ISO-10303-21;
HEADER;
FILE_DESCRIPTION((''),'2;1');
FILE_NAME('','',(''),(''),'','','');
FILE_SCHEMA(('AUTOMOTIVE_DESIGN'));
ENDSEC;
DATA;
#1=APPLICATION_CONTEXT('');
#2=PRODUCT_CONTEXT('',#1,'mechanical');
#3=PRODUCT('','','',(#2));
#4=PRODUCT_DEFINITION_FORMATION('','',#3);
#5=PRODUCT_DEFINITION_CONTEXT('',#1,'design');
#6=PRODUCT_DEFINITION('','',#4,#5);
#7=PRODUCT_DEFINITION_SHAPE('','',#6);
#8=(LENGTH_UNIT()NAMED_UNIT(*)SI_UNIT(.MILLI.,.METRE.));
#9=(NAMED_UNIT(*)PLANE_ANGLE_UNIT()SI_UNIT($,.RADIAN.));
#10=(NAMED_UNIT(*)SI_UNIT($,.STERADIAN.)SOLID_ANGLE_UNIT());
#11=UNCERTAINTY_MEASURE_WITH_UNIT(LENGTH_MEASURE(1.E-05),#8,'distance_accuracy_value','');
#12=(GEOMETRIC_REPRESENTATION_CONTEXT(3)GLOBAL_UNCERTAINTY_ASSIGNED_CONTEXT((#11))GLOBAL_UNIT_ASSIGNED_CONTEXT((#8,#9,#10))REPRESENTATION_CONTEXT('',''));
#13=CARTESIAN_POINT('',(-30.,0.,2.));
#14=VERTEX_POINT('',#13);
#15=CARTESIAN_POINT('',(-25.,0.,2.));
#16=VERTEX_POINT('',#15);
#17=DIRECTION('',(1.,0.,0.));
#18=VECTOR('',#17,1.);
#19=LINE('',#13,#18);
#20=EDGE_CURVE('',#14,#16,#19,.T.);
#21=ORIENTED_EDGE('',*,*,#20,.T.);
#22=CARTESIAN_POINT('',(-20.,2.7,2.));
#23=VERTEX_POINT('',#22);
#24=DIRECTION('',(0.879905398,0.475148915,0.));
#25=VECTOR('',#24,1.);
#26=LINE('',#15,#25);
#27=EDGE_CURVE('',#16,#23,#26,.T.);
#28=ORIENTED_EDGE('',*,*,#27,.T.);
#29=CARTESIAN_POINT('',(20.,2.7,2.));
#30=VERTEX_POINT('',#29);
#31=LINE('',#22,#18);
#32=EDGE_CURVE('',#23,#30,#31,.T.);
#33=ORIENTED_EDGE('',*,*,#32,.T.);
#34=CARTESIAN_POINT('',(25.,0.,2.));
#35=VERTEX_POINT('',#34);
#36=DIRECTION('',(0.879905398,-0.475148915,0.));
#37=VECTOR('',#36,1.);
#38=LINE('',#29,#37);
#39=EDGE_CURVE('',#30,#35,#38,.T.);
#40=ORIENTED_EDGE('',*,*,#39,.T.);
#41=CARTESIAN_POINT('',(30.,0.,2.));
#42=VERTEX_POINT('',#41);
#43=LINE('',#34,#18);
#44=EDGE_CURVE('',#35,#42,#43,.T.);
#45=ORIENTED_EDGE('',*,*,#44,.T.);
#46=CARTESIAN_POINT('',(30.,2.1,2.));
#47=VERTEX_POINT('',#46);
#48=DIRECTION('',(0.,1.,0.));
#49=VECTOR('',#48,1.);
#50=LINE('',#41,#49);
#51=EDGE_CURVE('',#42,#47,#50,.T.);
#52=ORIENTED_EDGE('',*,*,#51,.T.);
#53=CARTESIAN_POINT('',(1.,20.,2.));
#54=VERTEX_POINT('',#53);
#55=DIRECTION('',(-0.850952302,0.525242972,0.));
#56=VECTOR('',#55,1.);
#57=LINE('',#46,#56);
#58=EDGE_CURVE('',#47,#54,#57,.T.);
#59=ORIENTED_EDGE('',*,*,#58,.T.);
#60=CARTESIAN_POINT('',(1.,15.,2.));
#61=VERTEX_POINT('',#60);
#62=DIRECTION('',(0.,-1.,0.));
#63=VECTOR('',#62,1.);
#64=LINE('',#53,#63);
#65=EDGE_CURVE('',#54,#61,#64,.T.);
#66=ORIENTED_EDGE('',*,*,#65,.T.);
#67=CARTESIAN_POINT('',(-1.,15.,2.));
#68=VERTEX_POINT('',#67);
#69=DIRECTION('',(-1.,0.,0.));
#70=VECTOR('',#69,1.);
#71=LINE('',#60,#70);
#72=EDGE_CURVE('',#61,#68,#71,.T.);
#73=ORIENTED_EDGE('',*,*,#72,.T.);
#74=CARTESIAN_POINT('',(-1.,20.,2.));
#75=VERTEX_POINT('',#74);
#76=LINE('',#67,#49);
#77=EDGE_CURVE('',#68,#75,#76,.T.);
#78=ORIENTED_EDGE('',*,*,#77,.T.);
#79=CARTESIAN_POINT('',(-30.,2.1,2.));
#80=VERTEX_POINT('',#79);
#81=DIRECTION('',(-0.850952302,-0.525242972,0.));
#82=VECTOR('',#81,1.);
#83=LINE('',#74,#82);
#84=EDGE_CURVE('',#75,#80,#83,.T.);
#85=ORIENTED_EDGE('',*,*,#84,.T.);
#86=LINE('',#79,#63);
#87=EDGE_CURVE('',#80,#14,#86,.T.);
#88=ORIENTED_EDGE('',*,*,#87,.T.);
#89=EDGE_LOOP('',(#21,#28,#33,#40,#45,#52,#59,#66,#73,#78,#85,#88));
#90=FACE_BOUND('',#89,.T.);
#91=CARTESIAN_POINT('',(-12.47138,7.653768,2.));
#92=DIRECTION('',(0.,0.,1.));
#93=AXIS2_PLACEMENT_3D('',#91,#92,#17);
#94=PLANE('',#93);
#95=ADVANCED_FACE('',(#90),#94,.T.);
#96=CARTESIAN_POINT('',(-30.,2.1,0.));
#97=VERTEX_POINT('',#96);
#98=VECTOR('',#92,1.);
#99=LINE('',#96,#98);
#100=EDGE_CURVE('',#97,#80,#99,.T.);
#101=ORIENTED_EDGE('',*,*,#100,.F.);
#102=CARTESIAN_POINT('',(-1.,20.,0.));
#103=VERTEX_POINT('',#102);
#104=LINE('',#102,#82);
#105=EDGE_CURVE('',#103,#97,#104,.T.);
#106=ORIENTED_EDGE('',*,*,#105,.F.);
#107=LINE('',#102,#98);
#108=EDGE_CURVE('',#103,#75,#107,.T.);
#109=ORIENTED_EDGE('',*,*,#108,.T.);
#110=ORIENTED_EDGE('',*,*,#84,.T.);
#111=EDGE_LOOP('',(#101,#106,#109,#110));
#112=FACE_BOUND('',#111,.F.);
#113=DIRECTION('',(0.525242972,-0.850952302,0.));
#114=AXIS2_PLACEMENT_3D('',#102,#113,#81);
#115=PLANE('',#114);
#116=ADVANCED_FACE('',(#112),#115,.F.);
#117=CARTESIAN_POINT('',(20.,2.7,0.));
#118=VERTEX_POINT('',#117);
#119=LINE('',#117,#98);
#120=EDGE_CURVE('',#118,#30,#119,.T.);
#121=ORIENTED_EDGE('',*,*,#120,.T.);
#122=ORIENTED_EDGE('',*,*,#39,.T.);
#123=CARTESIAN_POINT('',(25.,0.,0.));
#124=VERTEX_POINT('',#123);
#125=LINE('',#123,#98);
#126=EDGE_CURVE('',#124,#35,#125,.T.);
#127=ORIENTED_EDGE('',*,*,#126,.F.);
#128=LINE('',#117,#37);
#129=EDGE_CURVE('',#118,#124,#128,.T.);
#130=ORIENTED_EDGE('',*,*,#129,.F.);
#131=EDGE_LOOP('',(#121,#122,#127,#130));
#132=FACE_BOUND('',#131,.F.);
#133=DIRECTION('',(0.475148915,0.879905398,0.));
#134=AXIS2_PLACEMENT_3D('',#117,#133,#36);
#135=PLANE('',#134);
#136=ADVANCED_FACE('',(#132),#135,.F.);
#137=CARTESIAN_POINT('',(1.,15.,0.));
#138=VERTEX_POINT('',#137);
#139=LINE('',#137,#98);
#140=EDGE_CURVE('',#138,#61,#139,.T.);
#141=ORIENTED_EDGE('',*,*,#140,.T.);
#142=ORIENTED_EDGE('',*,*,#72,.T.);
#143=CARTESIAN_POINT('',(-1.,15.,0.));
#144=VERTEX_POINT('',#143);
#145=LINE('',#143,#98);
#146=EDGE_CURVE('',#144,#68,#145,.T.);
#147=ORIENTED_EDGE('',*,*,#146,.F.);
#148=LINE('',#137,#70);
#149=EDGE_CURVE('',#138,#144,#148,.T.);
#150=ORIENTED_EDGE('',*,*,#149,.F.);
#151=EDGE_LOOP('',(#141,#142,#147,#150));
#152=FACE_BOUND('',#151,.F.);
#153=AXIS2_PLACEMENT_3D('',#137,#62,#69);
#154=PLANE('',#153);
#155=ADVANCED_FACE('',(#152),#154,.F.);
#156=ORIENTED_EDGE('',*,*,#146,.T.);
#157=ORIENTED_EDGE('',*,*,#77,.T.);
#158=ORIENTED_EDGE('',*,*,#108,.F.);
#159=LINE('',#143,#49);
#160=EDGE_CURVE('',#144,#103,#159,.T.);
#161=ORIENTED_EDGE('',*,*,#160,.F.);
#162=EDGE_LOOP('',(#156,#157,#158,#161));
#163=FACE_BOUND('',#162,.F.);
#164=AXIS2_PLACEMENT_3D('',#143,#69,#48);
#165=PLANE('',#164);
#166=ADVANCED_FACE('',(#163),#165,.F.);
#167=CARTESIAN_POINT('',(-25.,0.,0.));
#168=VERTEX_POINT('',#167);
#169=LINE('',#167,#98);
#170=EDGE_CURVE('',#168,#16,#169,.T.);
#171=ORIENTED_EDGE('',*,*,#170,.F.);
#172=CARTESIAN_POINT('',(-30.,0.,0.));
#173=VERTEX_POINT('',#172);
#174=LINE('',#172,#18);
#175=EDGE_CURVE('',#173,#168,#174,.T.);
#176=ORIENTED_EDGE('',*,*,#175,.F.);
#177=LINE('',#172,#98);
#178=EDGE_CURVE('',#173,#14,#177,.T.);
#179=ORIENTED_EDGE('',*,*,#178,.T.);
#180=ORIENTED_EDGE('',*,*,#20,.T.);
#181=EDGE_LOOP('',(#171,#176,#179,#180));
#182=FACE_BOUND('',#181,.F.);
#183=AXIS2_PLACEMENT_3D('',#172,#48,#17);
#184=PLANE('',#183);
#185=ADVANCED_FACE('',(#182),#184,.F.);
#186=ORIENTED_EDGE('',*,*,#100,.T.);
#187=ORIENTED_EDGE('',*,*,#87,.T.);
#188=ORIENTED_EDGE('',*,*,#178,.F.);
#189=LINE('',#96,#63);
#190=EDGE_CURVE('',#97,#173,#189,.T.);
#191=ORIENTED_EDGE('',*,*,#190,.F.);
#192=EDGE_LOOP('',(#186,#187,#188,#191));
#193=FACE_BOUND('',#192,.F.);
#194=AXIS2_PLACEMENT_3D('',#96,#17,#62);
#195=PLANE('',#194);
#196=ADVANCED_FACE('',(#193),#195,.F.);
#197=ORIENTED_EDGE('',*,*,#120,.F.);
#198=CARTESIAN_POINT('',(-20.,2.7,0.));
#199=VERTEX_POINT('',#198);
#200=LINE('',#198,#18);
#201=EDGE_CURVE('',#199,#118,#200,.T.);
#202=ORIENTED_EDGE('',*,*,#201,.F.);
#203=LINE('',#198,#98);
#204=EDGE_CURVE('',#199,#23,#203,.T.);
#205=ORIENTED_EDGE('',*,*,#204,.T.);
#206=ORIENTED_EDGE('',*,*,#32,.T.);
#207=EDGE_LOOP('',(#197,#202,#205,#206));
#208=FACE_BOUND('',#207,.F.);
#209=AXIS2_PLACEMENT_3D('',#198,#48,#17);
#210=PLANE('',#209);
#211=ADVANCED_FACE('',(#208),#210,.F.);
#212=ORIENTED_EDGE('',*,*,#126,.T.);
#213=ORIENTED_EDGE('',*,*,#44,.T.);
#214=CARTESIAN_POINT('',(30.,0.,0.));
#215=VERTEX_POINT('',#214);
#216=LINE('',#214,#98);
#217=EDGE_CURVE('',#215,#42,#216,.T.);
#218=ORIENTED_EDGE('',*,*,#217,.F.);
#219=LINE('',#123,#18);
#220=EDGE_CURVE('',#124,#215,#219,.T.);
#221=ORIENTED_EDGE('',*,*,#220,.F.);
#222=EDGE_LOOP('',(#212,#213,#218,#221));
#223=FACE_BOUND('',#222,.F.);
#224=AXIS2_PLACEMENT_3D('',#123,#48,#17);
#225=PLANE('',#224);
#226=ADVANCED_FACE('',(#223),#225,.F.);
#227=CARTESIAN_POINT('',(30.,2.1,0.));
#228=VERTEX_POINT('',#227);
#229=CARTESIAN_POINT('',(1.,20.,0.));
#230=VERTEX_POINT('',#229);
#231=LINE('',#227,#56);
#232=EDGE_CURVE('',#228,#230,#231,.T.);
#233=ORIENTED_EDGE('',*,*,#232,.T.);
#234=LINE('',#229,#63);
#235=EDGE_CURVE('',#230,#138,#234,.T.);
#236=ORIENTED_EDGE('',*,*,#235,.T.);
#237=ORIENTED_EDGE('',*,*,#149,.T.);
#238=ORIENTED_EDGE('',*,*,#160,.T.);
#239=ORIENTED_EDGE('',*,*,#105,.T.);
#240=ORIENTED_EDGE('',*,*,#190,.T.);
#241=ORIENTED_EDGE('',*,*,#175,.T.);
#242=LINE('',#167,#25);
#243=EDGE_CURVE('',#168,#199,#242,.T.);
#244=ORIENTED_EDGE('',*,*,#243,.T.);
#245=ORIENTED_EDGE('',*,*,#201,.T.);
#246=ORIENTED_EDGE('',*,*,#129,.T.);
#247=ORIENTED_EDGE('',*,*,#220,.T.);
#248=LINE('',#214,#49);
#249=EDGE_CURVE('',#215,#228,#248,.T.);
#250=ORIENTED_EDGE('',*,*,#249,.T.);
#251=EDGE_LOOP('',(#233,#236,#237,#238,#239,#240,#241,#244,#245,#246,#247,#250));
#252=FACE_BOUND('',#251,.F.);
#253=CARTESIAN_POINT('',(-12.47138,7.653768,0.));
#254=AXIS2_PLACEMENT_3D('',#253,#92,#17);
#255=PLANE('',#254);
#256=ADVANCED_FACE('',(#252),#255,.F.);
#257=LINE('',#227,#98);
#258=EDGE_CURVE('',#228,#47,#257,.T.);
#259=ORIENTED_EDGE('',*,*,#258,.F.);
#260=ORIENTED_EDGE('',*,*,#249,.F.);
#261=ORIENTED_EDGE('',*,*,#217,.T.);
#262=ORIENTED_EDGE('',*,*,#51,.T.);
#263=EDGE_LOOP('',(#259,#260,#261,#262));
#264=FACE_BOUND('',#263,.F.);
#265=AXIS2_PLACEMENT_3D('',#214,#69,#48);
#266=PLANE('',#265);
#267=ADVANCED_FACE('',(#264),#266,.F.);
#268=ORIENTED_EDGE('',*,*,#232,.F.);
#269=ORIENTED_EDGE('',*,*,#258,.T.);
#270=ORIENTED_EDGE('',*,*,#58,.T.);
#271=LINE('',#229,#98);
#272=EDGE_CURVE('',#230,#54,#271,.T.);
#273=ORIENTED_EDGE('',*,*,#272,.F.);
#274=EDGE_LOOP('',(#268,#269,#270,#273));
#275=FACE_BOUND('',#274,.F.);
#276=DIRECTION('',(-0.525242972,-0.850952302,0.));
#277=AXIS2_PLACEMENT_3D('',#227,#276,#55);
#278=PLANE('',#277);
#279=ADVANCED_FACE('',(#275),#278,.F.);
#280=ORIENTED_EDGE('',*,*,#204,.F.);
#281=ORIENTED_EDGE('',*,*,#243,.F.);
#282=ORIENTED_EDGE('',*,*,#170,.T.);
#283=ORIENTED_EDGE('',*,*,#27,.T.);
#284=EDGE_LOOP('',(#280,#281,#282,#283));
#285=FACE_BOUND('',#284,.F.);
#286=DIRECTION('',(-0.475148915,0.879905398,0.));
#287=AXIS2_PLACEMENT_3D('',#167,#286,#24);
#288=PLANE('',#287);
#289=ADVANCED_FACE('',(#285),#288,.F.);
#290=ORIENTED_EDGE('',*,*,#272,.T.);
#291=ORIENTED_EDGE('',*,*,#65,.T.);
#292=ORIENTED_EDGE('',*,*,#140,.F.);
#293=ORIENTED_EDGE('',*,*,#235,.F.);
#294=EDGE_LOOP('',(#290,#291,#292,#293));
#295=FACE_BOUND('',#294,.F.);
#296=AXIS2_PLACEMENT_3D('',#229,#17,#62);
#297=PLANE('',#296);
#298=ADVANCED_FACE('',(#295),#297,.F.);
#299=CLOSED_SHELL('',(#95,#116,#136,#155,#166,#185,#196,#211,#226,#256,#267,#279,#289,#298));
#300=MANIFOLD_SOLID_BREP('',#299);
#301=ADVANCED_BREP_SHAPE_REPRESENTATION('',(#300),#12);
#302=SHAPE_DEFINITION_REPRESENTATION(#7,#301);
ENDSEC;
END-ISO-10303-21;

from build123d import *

# Parameters (mm, degrees)
F1_DEPTH = 2


with BuildPart() as f1:
    # F0 (on Top) → F1 (new body)
    with BuildSketch(Plane.XY):
        Polygon((-30, 0), (-25, 0), (-20, 2.7), (0, 2.7), (0, 15), (-1, 15), (-1, 20), (-30, 2.1), align=None)
        Polygon((0, 15), (0, 2.7), (20, 2.7), (25, 0), (30, 0), (30, 2.1), (1, 20), (1, 15), align=None)
    extrude(amount=F1_DEPTH)


solid = f1.part
